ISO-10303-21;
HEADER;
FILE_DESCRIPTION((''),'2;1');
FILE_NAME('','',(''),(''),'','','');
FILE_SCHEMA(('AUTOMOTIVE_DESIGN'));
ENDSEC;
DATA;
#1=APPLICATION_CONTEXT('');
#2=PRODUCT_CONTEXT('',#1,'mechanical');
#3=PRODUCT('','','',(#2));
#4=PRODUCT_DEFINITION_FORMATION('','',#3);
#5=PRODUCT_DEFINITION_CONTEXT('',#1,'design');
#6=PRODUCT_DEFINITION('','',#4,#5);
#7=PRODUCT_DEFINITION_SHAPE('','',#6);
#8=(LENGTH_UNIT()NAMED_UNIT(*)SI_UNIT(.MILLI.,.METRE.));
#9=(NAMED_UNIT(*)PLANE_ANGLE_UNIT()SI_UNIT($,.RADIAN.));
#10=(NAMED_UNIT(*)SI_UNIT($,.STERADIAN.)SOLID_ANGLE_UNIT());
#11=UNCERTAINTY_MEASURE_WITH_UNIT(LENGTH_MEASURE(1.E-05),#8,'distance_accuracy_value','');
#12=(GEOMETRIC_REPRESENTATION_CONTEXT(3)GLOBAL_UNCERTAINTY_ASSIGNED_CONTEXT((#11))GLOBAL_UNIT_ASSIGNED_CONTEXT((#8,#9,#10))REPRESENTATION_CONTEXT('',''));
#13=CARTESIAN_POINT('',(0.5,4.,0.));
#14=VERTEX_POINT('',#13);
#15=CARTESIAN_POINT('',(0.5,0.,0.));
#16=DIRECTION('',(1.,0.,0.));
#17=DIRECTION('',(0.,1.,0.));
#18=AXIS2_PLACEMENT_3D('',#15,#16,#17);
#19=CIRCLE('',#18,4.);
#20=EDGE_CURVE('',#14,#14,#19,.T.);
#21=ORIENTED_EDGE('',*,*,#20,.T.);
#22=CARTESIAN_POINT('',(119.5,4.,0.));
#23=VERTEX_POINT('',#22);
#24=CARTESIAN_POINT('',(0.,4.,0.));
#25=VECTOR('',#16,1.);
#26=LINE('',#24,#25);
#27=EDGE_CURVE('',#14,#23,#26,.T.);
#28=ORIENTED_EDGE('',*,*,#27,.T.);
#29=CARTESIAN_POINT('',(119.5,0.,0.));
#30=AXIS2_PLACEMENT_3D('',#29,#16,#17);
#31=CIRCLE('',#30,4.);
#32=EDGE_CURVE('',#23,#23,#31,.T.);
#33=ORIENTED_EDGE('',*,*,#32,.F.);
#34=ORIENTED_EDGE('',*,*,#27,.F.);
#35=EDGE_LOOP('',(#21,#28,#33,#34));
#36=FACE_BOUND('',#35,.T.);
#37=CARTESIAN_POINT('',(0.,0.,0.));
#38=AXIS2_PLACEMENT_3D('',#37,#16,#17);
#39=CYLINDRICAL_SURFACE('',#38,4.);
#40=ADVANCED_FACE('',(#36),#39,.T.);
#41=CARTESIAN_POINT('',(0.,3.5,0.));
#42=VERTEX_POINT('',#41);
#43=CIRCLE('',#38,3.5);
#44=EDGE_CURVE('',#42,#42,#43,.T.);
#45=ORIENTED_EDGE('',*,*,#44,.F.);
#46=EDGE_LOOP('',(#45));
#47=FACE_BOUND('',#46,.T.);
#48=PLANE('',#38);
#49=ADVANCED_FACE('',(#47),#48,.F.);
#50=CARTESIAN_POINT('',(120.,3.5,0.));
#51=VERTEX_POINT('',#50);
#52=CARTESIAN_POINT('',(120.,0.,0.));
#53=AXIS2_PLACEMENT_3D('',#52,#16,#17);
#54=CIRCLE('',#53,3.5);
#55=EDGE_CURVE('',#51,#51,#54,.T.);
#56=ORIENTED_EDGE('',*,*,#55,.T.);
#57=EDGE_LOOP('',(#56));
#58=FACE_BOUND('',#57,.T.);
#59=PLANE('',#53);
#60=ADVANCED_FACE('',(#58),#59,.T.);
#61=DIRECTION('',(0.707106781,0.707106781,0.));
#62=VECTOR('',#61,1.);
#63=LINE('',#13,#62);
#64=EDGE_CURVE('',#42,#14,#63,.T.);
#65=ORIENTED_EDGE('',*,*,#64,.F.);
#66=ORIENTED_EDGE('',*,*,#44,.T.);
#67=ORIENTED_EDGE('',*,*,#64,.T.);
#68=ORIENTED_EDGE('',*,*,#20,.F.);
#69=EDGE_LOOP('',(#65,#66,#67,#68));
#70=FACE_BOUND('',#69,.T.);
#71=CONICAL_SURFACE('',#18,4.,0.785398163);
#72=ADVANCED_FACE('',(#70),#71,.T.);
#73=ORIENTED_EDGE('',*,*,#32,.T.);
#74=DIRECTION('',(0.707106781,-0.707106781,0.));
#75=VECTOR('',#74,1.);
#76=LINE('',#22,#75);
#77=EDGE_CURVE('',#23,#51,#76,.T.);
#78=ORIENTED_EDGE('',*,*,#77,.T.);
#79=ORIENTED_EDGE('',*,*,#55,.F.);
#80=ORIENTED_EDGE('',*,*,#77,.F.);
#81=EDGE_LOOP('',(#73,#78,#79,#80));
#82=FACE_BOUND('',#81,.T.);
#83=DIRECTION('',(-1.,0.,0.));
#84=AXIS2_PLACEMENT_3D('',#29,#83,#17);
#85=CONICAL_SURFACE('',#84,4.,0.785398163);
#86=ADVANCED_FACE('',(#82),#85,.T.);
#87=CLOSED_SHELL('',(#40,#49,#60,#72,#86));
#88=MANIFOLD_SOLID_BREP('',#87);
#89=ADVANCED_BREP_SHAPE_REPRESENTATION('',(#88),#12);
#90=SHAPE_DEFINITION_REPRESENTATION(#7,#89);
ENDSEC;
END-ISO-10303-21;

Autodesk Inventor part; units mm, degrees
ref_plane "Startebene" through (0, 0, 0) normal (1, 0, 0) x (0, 1, 0)
ref_plane "XZ Plane" through (0, 0, 0) normal (0, 1, 0) x (-1, 0, 0)
ref_plane "XY Plane" through (0, 0, 0) normal (0, 0, 1) x (1, 0, 0)
sketch "Hauptskizze" plane through (0, 0, 0) normal (0, 0, 1) x (1, 0, 0)
  line L0 (0, 0) -> (120, 0)
  line L1 (0, 0) -> (0, 4)
  line L2 (120, 4) -> (120, 0)
  line L3 (0, 4) -> (120, 4)
  dimension "d3" = 8
revolve "Umdrehung1" add sketch "Hauptskizze" angle 360 about axis through (0, 0, 0) along (1, 0, 0)
chamfer "Fase3" distance 0.5 angle 45 1 edges at (0, -4, 0) measured on face at (80, 3.987, -0.3219)
chamfer "Fase2" distance 0.5 angle 45 1 edges at (120, -4, 0) measured on face at (80.1667, 3.987, -0.3219)
properties part number "Welle 8x120mm" material "Steel"
